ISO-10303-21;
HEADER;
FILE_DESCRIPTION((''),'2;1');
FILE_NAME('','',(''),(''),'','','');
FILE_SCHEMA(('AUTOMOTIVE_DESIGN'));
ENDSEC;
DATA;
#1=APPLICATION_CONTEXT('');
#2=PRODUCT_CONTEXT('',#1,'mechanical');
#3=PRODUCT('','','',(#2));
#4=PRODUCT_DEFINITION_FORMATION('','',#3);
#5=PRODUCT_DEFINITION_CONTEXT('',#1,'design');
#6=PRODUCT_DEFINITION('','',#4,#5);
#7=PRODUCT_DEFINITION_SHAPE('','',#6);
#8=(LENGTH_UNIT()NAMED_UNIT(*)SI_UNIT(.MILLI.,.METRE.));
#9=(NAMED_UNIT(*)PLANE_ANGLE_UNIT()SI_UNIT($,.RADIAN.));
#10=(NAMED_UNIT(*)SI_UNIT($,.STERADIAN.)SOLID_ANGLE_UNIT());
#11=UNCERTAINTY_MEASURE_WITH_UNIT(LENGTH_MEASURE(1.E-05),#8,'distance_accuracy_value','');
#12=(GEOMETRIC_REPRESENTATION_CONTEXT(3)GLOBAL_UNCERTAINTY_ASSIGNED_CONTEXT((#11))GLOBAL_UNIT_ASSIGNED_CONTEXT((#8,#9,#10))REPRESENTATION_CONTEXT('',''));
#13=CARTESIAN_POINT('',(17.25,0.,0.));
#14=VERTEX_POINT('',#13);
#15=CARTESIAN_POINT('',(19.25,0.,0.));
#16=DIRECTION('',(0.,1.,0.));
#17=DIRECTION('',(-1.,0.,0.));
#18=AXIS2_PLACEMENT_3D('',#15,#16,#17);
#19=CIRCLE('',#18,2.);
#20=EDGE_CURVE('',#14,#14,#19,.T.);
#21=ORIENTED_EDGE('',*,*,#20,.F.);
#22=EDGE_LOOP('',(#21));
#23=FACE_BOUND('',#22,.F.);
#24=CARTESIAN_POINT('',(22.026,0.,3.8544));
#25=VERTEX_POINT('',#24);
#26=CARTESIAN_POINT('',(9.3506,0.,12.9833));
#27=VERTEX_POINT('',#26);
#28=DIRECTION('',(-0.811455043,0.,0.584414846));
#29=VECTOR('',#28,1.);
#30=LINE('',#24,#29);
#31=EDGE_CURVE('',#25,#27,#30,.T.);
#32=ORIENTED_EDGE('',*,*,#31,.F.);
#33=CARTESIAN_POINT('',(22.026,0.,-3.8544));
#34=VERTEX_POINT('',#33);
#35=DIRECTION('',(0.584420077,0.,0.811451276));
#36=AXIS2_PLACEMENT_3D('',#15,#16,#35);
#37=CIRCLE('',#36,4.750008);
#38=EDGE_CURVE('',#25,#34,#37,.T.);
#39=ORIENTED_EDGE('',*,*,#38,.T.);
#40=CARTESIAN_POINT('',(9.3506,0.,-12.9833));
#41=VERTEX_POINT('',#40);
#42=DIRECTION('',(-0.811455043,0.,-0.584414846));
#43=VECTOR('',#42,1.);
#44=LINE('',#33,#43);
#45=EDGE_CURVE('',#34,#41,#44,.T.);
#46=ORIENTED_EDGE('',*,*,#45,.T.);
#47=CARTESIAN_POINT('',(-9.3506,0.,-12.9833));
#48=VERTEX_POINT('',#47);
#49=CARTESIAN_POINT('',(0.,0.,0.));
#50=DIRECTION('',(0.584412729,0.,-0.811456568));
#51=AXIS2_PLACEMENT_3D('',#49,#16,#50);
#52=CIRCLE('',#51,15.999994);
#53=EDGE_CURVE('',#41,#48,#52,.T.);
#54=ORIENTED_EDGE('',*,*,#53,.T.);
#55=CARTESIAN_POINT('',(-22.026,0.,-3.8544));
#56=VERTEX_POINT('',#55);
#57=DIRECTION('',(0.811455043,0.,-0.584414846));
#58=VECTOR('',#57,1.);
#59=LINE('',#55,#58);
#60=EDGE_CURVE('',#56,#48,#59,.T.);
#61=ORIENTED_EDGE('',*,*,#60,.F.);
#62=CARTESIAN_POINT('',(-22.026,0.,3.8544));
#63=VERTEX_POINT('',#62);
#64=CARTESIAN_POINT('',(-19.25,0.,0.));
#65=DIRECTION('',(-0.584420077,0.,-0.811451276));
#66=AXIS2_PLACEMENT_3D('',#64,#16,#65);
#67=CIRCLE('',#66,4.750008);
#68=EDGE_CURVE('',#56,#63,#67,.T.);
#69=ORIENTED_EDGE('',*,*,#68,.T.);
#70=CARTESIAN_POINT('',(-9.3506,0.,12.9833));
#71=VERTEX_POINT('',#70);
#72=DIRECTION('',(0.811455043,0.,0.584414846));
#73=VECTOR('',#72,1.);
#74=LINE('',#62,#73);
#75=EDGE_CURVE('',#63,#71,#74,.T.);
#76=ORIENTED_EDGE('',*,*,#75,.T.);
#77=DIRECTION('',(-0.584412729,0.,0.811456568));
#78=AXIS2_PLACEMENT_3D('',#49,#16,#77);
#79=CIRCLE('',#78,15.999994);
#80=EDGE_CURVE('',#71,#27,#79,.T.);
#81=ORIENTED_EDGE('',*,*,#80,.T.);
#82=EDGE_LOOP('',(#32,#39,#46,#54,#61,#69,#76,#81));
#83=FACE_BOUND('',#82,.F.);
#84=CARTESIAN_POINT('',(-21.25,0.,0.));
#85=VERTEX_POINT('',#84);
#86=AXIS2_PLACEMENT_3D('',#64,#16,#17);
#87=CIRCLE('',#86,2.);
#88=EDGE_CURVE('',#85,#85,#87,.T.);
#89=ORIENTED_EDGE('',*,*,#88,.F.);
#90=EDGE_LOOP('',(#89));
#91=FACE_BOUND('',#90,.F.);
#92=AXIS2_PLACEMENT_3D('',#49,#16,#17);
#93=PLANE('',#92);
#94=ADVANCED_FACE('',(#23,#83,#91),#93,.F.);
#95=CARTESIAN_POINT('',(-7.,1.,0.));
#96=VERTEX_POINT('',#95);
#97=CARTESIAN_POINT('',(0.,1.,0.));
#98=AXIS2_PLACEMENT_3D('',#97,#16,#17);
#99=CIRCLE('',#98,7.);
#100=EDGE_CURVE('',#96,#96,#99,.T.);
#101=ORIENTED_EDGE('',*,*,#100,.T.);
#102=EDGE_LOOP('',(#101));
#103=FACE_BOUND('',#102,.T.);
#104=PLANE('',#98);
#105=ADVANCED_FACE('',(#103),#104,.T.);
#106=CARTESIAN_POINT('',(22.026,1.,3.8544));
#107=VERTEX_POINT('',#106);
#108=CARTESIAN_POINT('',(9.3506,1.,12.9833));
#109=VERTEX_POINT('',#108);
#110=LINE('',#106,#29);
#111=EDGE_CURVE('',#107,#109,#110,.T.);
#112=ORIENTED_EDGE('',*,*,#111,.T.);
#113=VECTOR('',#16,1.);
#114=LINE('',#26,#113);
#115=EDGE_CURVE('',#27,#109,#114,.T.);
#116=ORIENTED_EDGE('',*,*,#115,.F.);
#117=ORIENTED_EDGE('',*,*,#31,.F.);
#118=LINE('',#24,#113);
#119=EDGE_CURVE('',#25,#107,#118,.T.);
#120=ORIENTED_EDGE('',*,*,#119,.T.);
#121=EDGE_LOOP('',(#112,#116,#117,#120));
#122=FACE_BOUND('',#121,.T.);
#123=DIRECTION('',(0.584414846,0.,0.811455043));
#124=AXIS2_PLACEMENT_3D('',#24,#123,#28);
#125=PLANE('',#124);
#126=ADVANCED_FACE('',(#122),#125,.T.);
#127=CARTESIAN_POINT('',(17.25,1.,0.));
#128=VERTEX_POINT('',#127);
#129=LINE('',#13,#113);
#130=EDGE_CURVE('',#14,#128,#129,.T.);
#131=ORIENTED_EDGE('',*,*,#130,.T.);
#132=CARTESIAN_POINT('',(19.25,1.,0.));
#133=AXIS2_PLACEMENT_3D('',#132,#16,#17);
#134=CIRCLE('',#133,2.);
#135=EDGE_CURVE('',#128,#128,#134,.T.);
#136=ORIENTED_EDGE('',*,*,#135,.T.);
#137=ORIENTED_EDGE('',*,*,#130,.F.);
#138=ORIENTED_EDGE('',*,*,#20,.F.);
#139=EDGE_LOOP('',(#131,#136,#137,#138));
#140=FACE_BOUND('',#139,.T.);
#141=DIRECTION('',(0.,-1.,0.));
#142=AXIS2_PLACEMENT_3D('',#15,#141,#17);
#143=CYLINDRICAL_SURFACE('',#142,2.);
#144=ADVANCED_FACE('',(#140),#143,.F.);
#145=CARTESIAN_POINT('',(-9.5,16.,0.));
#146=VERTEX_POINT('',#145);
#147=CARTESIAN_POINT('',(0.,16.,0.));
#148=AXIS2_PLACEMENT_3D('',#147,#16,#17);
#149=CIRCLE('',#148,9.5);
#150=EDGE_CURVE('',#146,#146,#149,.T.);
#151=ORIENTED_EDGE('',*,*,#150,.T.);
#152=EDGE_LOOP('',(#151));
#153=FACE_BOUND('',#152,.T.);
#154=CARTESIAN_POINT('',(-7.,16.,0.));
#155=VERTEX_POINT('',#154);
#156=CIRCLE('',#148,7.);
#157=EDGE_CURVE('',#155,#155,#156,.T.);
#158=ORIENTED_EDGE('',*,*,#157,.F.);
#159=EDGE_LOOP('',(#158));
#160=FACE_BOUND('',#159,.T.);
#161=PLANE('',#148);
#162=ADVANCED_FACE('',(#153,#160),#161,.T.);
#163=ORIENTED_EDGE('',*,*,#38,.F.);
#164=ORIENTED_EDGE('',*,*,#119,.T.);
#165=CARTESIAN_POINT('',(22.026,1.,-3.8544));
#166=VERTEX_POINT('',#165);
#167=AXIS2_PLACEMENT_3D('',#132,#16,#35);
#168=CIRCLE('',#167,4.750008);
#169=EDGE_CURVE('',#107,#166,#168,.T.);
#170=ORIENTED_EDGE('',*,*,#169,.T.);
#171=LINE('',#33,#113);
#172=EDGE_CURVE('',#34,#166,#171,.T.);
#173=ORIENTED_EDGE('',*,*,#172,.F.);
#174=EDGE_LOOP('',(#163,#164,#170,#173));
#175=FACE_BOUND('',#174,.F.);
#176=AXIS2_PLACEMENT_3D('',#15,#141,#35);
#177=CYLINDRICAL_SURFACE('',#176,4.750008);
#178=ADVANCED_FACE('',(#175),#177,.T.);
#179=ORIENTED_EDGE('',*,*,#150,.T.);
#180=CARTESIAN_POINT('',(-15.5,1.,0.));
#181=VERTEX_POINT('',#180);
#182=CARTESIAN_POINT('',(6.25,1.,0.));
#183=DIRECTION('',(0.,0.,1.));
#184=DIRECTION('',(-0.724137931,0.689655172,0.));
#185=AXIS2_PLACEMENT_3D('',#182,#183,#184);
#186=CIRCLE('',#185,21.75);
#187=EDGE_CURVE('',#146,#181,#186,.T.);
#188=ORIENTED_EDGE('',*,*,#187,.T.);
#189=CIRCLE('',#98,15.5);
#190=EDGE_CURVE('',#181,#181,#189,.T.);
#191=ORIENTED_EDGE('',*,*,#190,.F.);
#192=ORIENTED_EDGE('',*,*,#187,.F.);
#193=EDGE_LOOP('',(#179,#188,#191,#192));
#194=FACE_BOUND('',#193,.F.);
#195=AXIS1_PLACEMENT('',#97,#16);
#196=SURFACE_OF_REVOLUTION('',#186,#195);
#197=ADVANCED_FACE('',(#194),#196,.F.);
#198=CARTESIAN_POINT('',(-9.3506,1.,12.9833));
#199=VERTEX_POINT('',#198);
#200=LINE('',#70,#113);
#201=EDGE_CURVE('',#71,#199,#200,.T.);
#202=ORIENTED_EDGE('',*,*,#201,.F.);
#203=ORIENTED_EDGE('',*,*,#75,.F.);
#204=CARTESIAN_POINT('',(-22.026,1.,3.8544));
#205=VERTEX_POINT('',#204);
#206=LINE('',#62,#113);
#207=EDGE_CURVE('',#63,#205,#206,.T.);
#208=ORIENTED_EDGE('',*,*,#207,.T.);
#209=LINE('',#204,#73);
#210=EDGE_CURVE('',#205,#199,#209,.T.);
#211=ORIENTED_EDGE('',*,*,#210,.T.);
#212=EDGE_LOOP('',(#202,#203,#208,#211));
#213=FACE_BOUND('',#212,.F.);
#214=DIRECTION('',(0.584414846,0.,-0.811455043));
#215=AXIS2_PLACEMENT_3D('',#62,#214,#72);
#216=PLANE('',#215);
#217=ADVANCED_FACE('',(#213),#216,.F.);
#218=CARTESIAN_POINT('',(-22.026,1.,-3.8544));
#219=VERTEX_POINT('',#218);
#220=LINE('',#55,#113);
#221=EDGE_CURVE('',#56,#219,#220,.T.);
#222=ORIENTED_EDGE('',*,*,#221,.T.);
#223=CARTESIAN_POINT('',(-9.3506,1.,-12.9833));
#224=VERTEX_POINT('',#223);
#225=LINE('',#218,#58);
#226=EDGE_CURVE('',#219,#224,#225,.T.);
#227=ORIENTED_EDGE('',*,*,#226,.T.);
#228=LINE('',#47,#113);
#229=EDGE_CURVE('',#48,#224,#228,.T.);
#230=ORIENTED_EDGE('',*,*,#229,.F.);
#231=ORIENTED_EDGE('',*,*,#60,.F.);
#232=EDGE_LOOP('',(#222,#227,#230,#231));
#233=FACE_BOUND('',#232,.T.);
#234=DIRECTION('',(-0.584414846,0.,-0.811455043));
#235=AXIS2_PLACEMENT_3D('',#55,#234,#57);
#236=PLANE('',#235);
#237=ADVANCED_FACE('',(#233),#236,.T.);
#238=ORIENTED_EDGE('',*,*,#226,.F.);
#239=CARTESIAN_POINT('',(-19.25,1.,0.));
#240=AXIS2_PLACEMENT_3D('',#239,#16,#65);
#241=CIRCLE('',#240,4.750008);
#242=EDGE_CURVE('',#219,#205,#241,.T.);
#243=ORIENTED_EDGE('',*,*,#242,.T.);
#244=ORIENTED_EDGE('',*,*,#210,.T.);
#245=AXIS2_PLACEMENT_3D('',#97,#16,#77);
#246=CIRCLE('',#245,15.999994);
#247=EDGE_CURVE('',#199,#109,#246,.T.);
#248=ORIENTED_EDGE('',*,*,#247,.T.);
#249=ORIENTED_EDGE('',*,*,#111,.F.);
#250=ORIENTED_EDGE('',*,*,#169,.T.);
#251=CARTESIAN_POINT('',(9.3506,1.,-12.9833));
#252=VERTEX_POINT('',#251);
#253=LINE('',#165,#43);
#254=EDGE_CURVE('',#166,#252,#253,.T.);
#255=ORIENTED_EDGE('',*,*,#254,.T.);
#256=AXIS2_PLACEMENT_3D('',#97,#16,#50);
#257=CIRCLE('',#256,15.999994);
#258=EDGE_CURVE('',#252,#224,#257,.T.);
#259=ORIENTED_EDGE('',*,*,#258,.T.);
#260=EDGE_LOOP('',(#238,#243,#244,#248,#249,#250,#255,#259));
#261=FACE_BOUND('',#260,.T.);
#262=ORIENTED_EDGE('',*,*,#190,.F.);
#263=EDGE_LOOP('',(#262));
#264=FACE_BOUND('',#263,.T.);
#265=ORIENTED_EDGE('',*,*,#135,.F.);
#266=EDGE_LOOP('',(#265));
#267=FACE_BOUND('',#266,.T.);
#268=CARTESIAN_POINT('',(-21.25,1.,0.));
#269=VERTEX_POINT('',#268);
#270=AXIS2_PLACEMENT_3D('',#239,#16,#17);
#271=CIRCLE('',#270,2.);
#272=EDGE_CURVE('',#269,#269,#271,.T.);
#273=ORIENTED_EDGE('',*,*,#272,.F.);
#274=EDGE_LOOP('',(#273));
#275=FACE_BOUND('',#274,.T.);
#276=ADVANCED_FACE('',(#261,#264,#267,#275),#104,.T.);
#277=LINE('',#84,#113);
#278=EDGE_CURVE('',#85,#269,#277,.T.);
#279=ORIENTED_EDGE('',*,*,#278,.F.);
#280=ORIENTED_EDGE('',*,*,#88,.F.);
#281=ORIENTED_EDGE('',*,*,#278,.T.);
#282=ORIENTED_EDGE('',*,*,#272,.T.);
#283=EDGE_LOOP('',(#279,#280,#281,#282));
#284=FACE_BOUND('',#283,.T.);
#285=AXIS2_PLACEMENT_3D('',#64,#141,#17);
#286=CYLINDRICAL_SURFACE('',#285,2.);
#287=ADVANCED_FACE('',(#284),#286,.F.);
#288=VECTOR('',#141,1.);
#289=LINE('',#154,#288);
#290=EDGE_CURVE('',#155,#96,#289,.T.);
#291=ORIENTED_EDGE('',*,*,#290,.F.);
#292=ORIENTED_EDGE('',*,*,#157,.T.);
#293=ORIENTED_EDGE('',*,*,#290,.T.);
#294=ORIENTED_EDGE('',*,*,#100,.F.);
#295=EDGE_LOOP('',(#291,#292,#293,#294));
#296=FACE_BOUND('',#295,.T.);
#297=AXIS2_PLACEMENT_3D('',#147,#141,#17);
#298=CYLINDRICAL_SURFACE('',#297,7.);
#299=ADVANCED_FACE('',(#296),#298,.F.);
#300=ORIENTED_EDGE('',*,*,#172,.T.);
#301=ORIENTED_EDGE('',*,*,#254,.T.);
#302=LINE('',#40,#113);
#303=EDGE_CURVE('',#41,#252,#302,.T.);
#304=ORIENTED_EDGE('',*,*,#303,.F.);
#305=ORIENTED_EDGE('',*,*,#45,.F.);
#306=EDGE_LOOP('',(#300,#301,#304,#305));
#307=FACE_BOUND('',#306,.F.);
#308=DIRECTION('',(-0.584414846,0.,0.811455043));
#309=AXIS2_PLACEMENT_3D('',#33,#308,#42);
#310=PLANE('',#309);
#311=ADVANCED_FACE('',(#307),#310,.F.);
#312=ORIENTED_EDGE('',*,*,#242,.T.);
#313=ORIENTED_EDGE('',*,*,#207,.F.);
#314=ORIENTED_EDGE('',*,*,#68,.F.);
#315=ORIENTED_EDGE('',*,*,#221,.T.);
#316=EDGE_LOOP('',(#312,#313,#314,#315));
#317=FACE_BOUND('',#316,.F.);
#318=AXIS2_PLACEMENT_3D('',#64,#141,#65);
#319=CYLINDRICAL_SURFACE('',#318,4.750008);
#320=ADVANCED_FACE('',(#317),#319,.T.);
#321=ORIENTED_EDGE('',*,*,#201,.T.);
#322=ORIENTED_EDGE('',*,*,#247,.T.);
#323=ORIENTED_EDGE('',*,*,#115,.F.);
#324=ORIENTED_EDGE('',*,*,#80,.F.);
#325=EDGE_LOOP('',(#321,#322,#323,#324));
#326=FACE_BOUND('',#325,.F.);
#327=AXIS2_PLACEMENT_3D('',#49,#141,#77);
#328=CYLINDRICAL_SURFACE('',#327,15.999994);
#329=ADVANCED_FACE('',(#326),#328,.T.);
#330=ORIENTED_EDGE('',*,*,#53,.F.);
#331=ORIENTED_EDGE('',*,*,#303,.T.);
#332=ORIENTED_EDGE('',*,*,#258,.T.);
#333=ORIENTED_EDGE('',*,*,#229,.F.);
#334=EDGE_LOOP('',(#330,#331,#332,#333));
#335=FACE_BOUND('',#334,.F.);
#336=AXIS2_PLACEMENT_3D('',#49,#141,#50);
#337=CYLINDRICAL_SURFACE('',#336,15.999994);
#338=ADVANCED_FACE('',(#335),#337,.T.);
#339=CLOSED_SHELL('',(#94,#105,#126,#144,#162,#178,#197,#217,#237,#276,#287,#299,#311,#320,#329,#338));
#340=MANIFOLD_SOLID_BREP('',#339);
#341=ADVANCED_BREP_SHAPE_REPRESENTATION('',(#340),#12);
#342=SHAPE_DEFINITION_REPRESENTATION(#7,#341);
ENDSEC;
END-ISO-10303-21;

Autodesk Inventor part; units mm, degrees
ref_plane "YZ Plane" through (0, 0, 0) normal (1, 0, 0) x (0, 1, 0)
ref_plane "XZ Plane" through (0, 0, 0) normal (0, 1, 0) x (-1, 0, 0)
ref_plane "XY Plane" through (0, 0, 0) normal (0, 0, 1) x (1, 0, 0)
sketch "Sketch1" plane through (0, 0, 0) normal (0, 1, 0) x (-1, 0, 0)
  circle A0 centre (19.25, 0) radius 2
  line L0 (0, 16) -> (0, -26.1596) construction
  arc A1 (22.026, -3.8544) -> (22.026, 3.8544) centre (19.25, 0) ccw
  line L1 (22.026, -3.8544) -> (9.3506, -12.9833)
  line L2 (22.026, 3.8544) -> (9.3506, 12.9833)
  line L3 (0, 0) -> (7.2695, 0) construction
  circle A2 centre (-19.25, 0) radius 2
  arc A3 (-22.026, 3.8544) -> (-22.026, -3.8544) centre (-19.25, 0) ccw
  line L4 (-22.026, -3.8544) -> (-9.3506, -12.9833)
  line L5 (-22.026, 3.8544) -> (-9.3506, 12.9833)
  arc A4 (9.3506, 12.9833) -> (-9.3506, 12.9833) centre (0, 0) ccw
  arc A5 (-9.3506, -12.9833) -> (9.3506, -12.9833) centre (0, 0) ccw
  point P0 (-7.2695, 0)
  dimension "d1" = 4
  dimension "d3" = 38.5
  dimension "d6" = 48
  dimension "d9" = 16
  dimension "d10" = 16
extrude "Extrusion1" add sketch "Sketch1" along normal blind 1
sketch "Sketch3" plane through (0, 0, 0) normal (0, 0, 1) x (1, 0, 0)
  line L0 (-17.25, 0) -> (-17.25, 1) projected
  line L1 (-17.25, 1) -> (17.25, 1) projected
  line L2 (17.25, 1) -> (17.25, 0) projected
  line L3 (17.25, 0) -> (-17.25, 0) projected
  line L4 (24, 1) -> (24, 0) projected
  line L5 (24, 0) -> (21.25, 0) projected
  line L6 (21.25, 0) -> (21.25, 1) projected
  line L7 (21.25, 1) -> (24, 1) projected
  line L8 (-24, 0) -> (-24, 1) projected
  line L9 (-24, 1) -> (-21.25, 1) projected
  line L10 (-21.25, 1) -> (-21.25, 0) projected
  line L11 (-21.25, 0) -> (-24, 0) projected
  line L12 (0, 1) -> (0, 13.5844) construction
  line L13 (9.3506, 1) -> (-9.3506, 1) projected
  arc A0 (-9.5, 16) -> (-15.5, 1) centre (6.25, 1) ccw
  line L14 (-9.5, 16) -> (-7, 16)
  line L15 (-7, 16) -> (-7, 1)
  line L16 (-7, 1) -> (-15.5, 1)
  line L17 (-22.026, 1) -> (-9.3506, 1) projected
  point P0 (0, 0)
  dimension "d11" = 31
  dimension "d12" = 16
  dimension "d13" = 19
  dimension "d14" = 14
revolve "Revolution1" add sketch "Sketch3" angle 360 about axis through (0, 1, 0) along (0, 1, 0) contours A0 L14 L15 L1
equation "\"d10\" = d9"
properties part number "caster_wheel_v5_base"
